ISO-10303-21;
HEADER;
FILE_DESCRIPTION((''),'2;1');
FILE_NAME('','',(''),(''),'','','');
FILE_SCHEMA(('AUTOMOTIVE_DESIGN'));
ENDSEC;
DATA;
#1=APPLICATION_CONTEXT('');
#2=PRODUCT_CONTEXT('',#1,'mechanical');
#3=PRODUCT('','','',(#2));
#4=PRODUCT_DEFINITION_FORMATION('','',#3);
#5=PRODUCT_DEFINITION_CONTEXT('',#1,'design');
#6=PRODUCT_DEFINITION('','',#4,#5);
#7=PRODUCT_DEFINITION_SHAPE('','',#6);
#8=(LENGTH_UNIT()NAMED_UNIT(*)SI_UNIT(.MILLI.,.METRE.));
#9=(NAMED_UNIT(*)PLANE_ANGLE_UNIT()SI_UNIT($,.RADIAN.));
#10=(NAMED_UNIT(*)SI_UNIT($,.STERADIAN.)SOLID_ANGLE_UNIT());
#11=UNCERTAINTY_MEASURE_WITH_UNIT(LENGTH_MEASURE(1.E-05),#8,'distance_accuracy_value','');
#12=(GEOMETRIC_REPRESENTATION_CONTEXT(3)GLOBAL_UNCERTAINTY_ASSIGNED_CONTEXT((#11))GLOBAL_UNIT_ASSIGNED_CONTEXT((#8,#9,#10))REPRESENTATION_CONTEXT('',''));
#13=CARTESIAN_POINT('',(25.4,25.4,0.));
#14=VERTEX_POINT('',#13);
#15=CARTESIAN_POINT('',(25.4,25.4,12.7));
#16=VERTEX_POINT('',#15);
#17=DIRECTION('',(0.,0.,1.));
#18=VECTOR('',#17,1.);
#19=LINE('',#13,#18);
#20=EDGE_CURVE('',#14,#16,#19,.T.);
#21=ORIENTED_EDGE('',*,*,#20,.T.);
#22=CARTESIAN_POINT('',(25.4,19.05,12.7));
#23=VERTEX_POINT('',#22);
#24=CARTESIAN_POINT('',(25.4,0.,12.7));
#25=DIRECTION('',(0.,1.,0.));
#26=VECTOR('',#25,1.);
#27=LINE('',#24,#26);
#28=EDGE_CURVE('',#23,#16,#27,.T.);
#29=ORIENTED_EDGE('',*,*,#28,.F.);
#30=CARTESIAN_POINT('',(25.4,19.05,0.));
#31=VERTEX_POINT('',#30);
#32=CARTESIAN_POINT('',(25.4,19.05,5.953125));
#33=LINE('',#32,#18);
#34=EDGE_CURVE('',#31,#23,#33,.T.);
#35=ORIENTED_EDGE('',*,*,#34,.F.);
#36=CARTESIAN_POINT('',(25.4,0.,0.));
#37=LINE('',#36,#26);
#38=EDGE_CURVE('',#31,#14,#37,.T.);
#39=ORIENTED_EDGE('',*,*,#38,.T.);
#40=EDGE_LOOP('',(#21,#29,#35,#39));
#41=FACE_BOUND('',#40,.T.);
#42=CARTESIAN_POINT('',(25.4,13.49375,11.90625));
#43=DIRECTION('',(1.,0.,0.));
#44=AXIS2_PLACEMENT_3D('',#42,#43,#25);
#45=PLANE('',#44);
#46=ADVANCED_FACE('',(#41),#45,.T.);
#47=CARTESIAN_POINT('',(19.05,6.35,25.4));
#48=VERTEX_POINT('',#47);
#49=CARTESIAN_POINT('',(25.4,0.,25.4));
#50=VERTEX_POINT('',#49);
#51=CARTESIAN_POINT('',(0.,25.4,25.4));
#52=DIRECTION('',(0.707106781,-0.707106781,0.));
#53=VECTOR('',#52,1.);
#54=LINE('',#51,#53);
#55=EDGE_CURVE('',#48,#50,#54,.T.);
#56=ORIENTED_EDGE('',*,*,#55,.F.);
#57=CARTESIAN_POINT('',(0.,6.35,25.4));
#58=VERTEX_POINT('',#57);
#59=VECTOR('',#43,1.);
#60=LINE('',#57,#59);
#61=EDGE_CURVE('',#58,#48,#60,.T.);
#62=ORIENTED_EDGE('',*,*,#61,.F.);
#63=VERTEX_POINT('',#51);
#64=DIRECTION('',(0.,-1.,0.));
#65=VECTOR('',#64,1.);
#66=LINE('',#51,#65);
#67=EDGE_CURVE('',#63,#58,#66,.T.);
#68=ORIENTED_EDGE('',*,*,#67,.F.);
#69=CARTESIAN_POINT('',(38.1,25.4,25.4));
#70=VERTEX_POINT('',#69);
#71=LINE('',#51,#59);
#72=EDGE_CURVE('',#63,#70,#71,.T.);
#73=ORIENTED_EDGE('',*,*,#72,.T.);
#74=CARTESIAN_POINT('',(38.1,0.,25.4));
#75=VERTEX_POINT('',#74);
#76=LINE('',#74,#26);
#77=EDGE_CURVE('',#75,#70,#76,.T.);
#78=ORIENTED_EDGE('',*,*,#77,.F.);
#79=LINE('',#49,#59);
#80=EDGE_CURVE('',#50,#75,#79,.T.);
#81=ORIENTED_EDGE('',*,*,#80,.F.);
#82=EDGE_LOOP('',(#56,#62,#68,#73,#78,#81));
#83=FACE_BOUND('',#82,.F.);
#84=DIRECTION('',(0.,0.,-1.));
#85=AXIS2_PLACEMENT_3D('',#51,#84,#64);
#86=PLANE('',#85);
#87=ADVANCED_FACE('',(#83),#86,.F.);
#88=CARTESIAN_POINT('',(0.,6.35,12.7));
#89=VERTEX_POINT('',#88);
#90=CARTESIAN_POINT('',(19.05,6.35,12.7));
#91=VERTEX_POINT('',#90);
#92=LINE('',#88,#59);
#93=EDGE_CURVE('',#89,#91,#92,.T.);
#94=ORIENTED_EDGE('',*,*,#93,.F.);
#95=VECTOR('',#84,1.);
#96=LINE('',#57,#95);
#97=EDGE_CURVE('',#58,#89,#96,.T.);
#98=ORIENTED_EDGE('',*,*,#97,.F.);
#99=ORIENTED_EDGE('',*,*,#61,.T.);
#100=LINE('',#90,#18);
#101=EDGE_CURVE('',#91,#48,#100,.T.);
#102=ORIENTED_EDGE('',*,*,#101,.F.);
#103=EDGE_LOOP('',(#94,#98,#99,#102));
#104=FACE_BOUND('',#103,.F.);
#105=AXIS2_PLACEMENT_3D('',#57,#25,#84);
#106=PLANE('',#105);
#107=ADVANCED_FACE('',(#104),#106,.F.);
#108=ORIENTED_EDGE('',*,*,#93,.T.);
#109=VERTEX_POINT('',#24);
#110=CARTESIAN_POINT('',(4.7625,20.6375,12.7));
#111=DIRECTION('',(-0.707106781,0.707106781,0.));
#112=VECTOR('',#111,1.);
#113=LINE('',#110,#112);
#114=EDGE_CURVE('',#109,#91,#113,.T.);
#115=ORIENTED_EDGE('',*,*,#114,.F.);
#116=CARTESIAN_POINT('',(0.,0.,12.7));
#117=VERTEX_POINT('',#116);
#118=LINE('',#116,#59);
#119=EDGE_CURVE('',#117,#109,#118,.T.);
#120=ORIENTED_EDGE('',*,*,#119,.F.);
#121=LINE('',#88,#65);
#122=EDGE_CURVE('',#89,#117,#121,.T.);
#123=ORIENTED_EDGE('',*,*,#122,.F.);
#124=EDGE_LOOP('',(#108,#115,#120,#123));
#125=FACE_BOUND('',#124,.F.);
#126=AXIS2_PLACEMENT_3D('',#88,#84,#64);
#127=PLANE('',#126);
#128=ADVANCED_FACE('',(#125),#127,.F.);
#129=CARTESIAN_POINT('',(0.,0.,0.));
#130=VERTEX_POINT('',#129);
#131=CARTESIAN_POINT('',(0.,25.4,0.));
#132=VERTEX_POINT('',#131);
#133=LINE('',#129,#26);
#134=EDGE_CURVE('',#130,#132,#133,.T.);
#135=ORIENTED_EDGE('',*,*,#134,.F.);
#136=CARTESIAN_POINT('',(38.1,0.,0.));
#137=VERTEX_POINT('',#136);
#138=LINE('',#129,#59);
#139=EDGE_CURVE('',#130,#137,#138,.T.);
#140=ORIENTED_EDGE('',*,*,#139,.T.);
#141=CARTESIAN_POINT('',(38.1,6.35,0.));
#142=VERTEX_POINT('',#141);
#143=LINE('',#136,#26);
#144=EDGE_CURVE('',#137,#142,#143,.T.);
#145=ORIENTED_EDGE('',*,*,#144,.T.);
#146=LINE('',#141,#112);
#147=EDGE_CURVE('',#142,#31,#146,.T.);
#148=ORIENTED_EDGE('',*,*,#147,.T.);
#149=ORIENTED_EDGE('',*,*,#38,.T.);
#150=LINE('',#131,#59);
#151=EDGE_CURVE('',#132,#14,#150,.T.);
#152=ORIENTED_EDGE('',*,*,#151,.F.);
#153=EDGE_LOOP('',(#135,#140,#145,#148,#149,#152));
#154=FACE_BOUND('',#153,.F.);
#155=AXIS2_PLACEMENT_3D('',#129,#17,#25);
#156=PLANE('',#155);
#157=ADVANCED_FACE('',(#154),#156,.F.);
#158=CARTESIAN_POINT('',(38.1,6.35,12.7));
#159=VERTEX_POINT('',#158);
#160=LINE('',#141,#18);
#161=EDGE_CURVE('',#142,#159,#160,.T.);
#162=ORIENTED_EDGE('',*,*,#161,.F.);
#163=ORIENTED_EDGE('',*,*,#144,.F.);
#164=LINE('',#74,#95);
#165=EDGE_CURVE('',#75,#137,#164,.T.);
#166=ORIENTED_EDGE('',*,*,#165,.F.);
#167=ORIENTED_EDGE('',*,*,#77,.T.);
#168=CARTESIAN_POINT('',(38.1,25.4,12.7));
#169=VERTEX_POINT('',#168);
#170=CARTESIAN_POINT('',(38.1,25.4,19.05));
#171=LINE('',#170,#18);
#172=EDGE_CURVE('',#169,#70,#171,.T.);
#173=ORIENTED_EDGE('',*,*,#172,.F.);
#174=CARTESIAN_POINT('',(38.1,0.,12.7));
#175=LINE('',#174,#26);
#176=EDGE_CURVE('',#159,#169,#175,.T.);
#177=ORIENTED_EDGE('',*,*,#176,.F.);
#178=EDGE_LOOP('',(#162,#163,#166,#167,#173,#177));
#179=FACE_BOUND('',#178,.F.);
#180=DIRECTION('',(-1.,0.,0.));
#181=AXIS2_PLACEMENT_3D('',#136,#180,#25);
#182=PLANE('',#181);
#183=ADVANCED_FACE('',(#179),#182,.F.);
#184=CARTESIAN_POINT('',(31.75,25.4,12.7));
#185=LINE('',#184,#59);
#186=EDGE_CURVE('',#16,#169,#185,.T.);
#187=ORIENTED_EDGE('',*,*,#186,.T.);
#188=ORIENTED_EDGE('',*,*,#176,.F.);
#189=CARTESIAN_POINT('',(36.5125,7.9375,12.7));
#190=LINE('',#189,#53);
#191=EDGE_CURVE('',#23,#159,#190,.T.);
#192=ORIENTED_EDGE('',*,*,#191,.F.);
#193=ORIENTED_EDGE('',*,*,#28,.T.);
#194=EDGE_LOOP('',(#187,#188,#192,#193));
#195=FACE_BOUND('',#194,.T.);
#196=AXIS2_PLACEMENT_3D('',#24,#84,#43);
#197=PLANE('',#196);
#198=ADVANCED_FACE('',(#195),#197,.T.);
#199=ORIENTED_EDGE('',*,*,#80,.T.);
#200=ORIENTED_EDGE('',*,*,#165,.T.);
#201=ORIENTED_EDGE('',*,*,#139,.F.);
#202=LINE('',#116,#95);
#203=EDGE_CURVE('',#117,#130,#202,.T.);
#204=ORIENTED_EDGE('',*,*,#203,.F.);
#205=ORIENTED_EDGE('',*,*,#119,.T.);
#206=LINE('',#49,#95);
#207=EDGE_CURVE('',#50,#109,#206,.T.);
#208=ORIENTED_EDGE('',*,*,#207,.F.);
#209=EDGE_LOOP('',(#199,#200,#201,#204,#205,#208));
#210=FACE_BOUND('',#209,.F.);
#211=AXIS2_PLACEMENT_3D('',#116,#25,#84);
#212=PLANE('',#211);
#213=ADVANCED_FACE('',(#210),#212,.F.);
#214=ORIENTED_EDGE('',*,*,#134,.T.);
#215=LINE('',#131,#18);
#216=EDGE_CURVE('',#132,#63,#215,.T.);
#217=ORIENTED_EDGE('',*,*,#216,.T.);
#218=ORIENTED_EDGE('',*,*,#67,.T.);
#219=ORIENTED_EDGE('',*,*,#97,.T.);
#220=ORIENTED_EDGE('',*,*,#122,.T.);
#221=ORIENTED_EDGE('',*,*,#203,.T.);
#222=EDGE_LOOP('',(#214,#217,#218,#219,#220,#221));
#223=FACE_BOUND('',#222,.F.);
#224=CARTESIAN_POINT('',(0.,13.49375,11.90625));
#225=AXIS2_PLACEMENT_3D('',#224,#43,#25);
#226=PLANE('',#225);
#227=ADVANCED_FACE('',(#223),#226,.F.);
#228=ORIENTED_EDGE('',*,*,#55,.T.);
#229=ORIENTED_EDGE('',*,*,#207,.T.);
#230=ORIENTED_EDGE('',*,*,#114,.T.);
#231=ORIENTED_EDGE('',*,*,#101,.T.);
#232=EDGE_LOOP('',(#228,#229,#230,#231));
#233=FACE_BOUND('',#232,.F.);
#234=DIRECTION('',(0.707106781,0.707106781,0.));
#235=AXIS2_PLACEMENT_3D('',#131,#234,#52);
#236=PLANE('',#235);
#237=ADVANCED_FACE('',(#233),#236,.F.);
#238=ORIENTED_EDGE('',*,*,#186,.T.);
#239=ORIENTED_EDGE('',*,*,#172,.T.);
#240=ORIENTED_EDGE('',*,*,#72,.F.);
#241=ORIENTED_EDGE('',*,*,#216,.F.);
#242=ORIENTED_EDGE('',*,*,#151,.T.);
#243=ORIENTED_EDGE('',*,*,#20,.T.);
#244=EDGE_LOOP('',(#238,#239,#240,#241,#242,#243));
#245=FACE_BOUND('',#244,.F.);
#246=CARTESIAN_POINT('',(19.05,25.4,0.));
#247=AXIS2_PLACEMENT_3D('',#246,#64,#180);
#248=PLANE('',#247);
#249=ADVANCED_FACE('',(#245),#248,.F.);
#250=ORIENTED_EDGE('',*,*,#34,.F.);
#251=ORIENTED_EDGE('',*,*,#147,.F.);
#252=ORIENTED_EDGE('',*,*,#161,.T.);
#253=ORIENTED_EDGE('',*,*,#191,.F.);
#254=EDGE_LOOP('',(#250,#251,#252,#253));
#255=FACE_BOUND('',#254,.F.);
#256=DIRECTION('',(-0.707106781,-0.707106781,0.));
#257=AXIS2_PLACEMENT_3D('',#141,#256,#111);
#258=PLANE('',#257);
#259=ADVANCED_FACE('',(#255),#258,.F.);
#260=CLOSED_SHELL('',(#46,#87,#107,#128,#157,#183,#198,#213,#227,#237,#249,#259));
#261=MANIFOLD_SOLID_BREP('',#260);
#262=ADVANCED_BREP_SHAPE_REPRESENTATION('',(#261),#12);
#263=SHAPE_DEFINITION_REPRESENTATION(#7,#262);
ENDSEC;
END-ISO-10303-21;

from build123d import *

# Parameters (mm, degrees)
F3_DEPTH = 25.4
F0_W     = 12.7
F0_H     = 12.7
F4_DEPTH = 25.4
F5_DEPTH = 25.4


with BuildPart() as f3:
    # F1 (on Top) → F3 (new body)
    with BuildSketch(Plane.XY):
        Polygon((19.05, 25.4), (0, 25.4), (25.4, 0), (38.1, 0), (38.1, 6.35), align=None)
    extrude(amount=F3_DEPTH)

    # F0 (on Front) → F4 (join)
    with BuildSketch(Plane.XZ):
        with Locations((31.75, 19.05)):
            Rectangle(F0_W, F0_H)
    extrude(amount=-F4_DEPTH)

    # F2 (on Right) → F5 (join)
    with BuildSketch(Plane.YZ):
        Polygon((0, 12.7), (0, 0), (25.4, 0), (25.4, 25.4), (6.35, 25.4), (6.35, 12.7), align=None)
    extrude(amount=F5_DEPTH)


solid = f3.part
